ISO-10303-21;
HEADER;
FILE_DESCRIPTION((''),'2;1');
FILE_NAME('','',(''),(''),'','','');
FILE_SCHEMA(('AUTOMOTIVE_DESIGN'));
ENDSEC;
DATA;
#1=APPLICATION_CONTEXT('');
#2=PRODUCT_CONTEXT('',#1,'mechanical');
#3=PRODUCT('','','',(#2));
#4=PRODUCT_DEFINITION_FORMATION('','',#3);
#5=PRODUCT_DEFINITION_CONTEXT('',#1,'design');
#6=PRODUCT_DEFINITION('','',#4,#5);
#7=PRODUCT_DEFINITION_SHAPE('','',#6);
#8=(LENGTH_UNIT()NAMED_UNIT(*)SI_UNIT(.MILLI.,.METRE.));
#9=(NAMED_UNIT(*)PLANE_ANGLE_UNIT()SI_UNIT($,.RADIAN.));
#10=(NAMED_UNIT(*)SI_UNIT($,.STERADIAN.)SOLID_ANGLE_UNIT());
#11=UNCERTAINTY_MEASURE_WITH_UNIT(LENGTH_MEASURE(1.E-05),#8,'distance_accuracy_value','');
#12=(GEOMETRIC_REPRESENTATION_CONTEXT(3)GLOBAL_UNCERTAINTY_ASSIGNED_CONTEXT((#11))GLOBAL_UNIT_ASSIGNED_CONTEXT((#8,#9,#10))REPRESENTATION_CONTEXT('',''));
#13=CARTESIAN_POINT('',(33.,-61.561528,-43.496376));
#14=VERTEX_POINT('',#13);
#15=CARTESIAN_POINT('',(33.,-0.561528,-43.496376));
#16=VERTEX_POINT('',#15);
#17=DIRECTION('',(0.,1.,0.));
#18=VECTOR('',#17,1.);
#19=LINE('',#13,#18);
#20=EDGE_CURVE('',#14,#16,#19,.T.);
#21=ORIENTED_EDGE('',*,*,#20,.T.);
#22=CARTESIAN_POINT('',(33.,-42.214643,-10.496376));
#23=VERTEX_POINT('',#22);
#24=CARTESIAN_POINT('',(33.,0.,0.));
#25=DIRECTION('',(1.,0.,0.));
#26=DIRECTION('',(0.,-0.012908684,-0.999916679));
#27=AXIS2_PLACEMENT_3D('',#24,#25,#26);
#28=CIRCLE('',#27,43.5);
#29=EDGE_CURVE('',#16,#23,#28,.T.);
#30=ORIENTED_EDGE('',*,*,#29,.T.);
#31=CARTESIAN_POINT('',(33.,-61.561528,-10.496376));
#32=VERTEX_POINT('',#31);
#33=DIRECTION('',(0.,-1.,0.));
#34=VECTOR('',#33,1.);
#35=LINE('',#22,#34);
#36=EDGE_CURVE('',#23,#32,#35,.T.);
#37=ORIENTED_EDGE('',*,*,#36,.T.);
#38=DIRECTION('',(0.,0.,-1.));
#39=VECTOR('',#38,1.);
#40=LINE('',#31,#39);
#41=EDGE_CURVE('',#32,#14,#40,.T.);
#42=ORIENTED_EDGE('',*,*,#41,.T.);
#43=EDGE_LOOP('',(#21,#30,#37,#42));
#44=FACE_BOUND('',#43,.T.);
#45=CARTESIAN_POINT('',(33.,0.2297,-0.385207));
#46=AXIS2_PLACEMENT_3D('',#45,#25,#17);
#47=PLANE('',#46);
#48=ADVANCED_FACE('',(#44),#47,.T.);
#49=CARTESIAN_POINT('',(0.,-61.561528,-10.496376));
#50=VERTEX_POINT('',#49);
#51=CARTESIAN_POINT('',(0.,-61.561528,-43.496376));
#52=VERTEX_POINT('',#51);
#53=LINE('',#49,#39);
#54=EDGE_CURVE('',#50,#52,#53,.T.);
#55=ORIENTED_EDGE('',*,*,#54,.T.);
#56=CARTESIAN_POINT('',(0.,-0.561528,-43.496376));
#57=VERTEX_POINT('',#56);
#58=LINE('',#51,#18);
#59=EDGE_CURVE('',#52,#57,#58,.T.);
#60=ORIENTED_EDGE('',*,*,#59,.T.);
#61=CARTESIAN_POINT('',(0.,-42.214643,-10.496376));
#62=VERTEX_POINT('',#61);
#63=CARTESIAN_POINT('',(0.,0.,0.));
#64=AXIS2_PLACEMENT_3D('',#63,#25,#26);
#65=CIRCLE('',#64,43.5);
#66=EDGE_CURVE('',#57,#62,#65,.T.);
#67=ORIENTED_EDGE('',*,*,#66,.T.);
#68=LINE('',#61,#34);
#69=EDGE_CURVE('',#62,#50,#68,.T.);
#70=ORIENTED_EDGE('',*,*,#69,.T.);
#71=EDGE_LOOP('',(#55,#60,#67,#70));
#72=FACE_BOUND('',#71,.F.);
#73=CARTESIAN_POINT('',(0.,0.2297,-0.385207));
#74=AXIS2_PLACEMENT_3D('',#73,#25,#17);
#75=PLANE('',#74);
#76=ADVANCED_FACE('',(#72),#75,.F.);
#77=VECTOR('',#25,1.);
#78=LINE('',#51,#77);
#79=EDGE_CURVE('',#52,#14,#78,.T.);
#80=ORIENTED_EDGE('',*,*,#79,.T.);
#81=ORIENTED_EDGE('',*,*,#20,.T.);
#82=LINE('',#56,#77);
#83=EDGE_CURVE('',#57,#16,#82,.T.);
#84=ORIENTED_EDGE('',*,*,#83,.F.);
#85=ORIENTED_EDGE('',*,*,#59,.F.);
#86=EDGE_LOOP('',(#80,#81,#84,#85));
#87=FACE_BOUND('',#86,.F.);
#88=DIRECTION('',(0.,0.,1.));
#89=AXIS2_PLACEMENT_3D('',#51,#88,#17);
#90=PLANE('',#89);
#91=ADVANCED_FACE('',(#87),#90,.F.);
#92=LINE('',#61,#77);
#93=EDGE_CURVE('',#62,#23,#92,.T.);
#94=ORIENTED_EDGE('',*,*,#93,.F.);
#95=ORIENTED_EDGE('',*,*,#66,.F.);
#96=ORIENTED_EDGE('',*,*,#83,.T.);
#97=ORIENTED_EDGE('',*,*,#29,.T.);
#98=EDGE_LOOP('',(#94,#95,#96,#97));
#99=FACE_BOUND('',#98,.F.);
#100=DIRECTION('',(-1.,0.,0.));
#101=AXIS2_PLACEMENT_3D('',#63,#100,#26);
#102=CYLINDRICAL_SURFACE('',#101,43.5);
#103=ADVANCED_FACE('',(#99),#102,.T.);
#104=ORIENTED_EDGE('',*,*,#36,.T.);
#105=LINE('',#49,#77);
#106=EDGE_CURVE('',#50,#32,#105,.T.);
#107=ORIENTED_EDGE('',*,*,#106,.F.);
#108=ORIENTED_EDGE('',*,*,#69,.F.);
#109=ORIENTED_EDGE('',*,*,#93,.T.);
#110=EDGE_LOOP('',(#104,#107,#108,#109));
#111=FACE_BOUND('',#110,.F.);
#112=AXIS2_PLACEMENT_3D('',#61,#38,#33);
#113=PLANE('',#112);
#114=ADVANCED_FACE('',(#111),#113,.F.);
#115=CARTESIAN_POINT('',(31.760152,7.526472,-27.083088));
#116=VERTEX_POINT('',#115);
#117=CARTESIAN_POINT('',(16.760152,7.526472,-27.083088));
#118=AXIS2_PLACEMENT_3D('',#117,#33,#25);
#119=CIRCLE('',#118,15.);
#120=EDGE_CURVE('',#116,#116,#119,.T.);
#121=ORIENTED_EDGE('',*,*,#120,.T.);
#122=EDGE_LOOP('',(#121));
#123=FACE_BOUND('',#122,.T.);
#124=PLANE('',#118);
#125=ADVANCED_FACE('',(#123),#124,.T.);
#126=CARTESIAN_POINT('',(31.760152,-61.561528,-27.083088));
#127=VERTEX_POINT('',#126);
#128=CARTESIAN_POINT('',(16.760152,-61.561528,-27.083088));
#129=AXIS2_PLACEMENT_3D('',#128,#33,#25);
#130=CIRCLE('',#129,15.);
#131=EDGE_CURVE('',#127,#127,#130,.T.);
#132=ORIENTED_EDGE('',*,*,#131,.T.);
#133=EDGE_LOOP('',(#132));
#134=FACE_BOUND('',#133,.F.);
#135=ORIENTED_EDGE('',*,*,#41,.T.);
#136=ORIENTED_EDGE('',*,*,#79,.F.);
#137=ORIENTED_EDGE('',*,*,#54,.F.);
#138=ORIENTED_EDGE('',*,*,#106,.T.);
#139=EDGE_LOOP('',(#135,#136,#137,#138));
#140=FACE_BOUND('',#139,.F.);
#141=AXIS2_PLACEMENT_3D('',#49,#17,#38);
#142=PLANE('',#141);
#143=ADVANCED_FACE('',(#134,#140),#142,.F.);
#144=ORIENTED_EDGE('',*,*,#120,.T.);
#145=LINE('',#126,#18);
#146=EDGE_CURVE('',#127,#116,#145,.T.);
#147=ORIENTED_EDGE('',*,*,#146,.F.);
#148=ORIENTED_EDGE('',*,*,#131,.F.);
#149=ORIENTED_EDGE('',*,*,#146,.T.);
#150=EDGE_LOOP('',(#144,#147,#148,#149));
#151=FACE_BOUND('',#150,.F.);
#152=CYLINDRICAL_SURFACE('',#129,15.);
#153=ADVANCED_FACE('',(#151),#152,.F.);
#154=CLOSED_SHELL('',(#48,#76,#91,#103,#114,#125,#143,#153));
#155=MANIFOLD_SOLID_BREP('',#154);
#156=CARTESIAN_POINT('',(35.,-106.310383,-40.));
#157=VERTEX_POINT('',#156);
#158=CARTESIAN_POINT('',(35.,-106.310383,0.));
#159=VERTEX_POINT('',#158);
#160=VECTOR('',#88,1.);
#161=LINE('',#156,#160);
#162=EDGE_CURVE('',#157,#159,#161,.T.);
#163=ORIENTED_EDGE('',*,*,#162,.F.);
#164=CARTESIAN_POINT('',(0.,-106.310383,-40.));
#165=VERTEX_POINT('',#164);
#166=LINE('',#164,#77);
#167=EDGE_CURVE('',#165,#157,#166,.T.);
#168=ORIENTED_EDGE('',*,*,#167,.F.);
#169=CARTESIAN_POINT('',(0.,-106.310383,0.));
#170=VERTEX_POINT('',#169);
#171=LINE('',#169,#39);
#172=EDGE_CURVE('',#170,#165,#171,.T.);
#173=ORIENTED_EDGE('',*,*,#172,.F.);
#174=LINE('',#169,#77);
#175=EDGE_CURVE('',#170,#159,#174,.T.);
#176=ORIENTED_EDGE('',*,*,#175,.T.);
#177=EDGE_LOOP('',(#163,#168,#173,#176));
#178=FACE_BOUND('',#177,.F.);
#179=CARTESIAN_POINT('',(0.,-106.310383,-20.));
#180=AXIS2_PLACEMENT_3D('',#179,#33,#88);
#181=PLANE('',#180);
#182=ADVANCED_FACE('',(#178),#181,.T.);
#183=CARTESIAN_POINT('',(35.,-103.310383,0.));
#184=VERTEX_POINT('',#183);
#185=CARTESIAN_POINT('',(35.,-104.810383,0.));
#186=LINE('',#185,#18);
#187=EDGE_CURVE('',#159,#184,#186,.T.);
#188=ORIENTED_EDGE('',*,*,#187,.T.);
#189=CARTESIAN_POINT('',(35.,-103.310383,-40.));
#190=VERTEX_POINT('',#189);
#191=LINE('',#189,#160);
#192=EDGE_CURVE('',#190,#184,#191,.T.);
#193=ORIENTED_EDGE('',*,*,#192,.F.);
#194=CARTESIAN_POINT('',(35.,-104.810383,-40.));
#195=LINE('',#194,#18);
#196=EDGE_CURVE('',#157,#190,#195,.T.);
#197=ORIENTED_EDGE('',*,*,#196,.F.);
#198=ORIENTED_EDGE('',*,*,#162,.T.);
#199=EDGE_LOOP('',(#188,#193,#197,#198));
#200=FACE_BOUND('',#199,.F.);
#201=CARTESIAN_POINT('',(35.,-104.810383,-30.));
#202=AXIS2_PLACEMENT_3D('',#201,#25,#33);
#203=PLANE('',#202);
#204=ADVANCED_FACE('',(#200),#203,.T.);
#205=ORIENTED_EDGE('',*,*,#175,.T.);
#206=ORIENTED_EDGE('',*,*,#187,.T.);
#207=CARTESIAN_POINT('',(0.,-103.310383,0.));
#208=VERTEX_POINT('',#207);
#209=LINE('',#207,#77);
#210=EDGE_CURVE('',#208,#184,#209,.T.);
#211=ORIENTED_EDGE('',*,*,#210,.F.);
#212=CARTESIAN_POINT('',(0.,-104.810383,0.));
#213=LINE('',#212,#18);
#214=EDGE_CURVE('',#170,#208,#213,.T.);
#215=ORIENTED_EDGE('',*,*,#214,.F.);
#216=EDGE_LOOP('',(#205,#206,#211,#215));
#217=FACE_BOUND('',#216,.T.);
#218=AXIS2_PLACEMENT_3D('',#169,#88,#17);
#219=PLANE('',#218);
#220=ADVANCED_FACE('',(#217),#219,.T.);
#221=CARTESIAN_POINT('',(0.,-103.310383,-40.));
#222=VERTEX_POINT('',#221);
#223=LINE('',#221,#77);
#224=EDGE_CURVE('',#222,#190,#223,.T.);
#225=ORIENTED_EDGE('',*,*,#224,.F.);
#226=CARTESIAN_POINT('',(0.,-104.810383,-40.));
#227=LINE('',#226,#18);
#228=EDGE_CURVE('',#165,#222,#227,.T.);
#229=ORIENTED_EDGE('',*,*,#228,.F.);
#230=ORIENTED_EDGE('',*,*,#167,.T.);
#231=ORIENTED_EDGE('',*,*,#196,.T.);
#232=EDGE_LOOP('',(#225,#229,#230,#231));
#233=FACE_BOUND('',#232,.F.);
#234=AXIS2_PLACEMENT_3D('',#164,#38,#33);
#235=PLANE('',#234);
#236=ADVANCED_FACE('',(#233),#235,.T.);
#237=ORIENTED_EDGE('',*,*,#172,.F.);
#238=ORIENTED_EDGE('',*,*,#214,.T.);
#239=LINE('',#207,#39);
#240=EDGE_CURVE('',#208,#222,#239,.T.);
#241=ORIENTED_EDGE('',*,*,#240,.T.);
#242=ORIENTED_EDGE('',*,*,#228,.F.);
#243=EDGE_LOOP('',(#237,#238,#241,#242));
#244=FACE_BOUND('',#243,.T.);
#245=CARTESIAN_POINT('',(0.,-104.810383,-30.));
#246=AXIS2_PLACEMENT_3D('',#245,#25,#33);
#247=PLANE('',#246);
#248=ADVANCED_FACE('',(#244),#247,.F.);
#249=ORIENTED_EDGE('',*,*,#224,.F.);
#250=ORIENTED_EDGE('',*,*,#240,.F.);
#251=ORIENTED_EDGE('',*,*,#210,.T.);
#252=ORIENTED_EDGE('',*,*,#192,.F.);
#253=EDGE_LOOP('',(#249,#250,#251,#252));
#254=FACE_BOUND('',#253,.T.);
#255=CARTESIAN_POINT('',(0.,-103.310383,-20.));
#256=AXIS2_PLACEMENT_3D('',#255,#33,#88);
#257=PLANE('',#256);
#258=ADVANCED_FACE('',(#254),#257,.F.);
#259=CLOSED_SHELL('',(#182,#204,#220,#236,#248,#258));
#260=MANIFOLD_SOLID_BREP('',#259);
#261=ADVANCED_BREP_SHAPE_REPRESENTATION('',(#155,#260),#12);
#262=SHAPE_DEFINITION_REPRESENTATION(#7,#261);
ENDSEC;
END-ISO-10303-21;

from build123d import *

# Parameters (mm, degrees)
F1_DEPTH = 33
F2_R     = 15
F3_DEPTH = 69.088
F4_W     = 3
F4_H     = 20
F5_DEPTH = 35


with BuildPart() as f1:
    # F0 (on Right) → F1 (new body)
    with BuildSketch(Plane.YZ):
        with BuildLine():
            Line((-0.5615277552, -10.4963755568), (-0.5615277552, -43.4963755568))
            ThreePointArc((-0.5615277552, -43.4963755568), (30.5599700806, -30.9570384351), (43.5, 0))
            ThreePointArc((43.5, 0), (-5.2873916524, 43.1774650659), (-42.2146431961, -10.4963755568))
            Line((-42.2146431961, -10.4963755568), (-0.5615277552, -10.4963755568))
        make_face()
        with BuildLine():
            Line((-61.5615277552, -43.4963755568), (-0.5615277552, -43.4963755568))
            ThreePointArc((-0.5615277552, -43.4963755568), (-27.0129635603, -34.0961845327), (-42.2146431961, -10.4963755568))
            Line((-42.2146431961, -10.4963755568), (-61.5615277552, -10.4963755568))
            Line((-61.5615277552, -10.4963755568), (-61.5615277552, -43.4963755568))
        make_face()
        with BuildLine():
            ThreePointArc((-42.2146431961, -10.4963755568), (-27.0129635603, -34.0961845327), (-0.5615277552, -43.4963755568))
            Line((-0.5615277552, -43.4963755568), (-0.5615277552, -10.4963755568))
            Line((-0.5615277552, -10.4963755568), (-42.2146431961, -10.4963755568))
        make_face()
    extrude(amount=F1_DEPTH)

    # F2 (on face) → F3 (cut)
    with BuildSketch(Plane.XZ.offset(61.5615277552)):
        with Locations((16.7601518333, -27.0830877125)):
            Circle(F2_R)
    extrude(amount=-F3_DEPTH, mode=Mode.SUBTRACT)


with BuildPart() as f5:
    # F4 (on Right) → F5 (new body)
    with BuildSketch(Plane.YZ):
        with Locations((-104.8103831157, -10)):
            Rectangle(F4_W, F4_H)
    extrude(amount=F5_DEPTH)

    # F6: F5 across face


with BuildPart() as f5_1:
    add(f5.part)
    add(f5.part.mirror(Plane(origin=(17.5, -104.8103831157, -20), x_dir=(1, 0, 0), z_dir=(0, 0, -1))))


solid = Compound([f1.part, f5_1.part])
